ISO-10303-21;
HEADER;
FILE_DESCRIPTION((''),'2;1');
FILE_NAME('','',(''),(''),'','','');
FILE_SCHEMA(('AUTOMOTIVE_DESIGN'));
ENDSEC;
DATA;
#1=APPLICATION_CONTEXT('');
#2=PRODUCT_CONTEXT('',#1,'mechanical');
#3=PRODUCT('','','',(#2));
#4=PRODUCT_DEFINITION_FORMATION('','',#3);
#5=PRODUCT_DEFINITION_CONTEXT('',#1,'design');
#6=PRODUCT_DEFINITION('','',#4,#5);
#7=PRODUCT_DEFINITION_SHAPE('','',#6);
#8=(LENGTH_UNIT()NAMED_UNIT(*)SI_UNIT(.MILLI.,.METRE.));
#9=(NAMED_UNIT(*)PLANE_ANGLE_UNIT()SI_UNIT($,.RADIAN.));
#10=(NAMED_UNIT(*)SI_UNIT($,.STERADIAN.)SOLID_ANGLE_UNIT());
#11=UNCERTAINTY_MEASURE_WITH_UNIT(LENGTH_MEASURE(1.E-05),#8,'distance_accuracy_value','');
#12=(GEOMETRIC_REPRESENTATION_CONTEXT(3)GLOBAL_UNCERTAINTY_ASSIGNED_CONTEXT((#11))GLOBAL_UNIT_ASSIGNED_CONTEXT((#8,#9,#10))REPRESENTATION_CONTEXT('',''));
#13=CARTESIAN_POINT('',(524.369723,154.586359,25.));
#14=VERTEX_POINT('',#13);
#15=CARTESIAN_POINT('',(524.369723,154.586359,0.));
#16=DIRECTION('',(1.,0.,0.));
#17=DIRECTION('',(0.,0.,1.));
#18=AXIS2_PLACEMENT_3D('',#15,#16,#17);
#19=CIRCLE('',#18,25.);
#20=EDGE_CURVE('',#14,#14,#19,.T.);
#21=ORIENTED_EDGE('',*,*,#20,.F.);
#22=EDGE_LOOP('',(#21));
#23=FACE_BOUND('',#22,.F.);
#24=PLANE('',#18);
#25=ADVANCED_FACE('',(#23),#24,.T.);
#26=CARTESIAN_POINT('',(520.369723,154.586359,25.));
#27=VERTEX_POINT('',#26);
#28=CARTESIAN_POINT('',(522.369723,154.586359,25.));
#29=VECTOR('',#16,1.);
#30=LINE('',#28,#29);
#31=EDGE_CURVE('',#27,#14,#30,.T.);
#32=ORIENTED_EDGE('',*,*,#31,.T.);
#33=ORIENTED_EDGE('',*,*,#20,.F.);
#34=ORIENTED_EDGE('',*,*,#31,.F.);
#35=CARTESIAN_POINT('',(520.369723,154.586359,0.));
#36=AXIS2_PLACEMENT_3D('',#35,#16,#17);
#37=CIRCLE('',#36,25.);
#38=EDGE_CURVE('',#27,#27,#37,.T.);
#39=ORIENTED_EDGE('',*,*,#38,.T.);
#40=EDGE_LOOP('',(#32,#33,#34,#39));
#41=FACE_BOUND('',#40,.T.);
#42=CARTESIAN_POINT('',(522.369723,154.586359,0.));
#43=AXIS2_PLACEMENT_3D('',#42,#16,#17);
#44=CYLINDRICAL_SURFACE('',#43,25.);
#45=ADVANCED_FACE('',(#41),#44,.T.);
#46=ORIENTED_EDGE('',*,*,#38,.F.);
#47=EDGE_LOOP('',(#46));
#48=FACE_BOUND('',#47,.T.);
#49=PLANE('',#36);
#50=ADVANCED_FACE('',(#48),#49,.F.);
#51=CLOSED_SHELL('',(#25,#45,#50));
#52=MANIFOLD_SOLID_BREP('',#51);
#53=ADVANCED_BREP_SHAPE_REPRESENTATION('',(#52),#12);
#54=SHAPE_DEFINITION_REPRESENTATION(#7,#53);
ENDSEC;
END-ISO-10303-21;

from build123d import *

# Parameters (mm, degrees)
SKETCH_1_W = 4
SKETCH_1_H = 25


with BuildPart() as part:
    # 草图1 → 旋转1 (revolve)
    with BuildSketch(Plane.XY, mode=Mode.PRIVATE) as revolve_1_sk:
        with Locations((522.369723166, 167.086358698)):
            Rectangle(SKETCH_1_W, SKETCH_1_H)
    revolve(revolve_1_sk.sketch.rotate(Axis((500.737567697, 154.586358698, 0), (1, 0, 0)), 90), axis=Axis((500.737567697, 154.586358698, 0), (1, 0, 0)))  # turned: the seam where the file's is


solid = part.part
